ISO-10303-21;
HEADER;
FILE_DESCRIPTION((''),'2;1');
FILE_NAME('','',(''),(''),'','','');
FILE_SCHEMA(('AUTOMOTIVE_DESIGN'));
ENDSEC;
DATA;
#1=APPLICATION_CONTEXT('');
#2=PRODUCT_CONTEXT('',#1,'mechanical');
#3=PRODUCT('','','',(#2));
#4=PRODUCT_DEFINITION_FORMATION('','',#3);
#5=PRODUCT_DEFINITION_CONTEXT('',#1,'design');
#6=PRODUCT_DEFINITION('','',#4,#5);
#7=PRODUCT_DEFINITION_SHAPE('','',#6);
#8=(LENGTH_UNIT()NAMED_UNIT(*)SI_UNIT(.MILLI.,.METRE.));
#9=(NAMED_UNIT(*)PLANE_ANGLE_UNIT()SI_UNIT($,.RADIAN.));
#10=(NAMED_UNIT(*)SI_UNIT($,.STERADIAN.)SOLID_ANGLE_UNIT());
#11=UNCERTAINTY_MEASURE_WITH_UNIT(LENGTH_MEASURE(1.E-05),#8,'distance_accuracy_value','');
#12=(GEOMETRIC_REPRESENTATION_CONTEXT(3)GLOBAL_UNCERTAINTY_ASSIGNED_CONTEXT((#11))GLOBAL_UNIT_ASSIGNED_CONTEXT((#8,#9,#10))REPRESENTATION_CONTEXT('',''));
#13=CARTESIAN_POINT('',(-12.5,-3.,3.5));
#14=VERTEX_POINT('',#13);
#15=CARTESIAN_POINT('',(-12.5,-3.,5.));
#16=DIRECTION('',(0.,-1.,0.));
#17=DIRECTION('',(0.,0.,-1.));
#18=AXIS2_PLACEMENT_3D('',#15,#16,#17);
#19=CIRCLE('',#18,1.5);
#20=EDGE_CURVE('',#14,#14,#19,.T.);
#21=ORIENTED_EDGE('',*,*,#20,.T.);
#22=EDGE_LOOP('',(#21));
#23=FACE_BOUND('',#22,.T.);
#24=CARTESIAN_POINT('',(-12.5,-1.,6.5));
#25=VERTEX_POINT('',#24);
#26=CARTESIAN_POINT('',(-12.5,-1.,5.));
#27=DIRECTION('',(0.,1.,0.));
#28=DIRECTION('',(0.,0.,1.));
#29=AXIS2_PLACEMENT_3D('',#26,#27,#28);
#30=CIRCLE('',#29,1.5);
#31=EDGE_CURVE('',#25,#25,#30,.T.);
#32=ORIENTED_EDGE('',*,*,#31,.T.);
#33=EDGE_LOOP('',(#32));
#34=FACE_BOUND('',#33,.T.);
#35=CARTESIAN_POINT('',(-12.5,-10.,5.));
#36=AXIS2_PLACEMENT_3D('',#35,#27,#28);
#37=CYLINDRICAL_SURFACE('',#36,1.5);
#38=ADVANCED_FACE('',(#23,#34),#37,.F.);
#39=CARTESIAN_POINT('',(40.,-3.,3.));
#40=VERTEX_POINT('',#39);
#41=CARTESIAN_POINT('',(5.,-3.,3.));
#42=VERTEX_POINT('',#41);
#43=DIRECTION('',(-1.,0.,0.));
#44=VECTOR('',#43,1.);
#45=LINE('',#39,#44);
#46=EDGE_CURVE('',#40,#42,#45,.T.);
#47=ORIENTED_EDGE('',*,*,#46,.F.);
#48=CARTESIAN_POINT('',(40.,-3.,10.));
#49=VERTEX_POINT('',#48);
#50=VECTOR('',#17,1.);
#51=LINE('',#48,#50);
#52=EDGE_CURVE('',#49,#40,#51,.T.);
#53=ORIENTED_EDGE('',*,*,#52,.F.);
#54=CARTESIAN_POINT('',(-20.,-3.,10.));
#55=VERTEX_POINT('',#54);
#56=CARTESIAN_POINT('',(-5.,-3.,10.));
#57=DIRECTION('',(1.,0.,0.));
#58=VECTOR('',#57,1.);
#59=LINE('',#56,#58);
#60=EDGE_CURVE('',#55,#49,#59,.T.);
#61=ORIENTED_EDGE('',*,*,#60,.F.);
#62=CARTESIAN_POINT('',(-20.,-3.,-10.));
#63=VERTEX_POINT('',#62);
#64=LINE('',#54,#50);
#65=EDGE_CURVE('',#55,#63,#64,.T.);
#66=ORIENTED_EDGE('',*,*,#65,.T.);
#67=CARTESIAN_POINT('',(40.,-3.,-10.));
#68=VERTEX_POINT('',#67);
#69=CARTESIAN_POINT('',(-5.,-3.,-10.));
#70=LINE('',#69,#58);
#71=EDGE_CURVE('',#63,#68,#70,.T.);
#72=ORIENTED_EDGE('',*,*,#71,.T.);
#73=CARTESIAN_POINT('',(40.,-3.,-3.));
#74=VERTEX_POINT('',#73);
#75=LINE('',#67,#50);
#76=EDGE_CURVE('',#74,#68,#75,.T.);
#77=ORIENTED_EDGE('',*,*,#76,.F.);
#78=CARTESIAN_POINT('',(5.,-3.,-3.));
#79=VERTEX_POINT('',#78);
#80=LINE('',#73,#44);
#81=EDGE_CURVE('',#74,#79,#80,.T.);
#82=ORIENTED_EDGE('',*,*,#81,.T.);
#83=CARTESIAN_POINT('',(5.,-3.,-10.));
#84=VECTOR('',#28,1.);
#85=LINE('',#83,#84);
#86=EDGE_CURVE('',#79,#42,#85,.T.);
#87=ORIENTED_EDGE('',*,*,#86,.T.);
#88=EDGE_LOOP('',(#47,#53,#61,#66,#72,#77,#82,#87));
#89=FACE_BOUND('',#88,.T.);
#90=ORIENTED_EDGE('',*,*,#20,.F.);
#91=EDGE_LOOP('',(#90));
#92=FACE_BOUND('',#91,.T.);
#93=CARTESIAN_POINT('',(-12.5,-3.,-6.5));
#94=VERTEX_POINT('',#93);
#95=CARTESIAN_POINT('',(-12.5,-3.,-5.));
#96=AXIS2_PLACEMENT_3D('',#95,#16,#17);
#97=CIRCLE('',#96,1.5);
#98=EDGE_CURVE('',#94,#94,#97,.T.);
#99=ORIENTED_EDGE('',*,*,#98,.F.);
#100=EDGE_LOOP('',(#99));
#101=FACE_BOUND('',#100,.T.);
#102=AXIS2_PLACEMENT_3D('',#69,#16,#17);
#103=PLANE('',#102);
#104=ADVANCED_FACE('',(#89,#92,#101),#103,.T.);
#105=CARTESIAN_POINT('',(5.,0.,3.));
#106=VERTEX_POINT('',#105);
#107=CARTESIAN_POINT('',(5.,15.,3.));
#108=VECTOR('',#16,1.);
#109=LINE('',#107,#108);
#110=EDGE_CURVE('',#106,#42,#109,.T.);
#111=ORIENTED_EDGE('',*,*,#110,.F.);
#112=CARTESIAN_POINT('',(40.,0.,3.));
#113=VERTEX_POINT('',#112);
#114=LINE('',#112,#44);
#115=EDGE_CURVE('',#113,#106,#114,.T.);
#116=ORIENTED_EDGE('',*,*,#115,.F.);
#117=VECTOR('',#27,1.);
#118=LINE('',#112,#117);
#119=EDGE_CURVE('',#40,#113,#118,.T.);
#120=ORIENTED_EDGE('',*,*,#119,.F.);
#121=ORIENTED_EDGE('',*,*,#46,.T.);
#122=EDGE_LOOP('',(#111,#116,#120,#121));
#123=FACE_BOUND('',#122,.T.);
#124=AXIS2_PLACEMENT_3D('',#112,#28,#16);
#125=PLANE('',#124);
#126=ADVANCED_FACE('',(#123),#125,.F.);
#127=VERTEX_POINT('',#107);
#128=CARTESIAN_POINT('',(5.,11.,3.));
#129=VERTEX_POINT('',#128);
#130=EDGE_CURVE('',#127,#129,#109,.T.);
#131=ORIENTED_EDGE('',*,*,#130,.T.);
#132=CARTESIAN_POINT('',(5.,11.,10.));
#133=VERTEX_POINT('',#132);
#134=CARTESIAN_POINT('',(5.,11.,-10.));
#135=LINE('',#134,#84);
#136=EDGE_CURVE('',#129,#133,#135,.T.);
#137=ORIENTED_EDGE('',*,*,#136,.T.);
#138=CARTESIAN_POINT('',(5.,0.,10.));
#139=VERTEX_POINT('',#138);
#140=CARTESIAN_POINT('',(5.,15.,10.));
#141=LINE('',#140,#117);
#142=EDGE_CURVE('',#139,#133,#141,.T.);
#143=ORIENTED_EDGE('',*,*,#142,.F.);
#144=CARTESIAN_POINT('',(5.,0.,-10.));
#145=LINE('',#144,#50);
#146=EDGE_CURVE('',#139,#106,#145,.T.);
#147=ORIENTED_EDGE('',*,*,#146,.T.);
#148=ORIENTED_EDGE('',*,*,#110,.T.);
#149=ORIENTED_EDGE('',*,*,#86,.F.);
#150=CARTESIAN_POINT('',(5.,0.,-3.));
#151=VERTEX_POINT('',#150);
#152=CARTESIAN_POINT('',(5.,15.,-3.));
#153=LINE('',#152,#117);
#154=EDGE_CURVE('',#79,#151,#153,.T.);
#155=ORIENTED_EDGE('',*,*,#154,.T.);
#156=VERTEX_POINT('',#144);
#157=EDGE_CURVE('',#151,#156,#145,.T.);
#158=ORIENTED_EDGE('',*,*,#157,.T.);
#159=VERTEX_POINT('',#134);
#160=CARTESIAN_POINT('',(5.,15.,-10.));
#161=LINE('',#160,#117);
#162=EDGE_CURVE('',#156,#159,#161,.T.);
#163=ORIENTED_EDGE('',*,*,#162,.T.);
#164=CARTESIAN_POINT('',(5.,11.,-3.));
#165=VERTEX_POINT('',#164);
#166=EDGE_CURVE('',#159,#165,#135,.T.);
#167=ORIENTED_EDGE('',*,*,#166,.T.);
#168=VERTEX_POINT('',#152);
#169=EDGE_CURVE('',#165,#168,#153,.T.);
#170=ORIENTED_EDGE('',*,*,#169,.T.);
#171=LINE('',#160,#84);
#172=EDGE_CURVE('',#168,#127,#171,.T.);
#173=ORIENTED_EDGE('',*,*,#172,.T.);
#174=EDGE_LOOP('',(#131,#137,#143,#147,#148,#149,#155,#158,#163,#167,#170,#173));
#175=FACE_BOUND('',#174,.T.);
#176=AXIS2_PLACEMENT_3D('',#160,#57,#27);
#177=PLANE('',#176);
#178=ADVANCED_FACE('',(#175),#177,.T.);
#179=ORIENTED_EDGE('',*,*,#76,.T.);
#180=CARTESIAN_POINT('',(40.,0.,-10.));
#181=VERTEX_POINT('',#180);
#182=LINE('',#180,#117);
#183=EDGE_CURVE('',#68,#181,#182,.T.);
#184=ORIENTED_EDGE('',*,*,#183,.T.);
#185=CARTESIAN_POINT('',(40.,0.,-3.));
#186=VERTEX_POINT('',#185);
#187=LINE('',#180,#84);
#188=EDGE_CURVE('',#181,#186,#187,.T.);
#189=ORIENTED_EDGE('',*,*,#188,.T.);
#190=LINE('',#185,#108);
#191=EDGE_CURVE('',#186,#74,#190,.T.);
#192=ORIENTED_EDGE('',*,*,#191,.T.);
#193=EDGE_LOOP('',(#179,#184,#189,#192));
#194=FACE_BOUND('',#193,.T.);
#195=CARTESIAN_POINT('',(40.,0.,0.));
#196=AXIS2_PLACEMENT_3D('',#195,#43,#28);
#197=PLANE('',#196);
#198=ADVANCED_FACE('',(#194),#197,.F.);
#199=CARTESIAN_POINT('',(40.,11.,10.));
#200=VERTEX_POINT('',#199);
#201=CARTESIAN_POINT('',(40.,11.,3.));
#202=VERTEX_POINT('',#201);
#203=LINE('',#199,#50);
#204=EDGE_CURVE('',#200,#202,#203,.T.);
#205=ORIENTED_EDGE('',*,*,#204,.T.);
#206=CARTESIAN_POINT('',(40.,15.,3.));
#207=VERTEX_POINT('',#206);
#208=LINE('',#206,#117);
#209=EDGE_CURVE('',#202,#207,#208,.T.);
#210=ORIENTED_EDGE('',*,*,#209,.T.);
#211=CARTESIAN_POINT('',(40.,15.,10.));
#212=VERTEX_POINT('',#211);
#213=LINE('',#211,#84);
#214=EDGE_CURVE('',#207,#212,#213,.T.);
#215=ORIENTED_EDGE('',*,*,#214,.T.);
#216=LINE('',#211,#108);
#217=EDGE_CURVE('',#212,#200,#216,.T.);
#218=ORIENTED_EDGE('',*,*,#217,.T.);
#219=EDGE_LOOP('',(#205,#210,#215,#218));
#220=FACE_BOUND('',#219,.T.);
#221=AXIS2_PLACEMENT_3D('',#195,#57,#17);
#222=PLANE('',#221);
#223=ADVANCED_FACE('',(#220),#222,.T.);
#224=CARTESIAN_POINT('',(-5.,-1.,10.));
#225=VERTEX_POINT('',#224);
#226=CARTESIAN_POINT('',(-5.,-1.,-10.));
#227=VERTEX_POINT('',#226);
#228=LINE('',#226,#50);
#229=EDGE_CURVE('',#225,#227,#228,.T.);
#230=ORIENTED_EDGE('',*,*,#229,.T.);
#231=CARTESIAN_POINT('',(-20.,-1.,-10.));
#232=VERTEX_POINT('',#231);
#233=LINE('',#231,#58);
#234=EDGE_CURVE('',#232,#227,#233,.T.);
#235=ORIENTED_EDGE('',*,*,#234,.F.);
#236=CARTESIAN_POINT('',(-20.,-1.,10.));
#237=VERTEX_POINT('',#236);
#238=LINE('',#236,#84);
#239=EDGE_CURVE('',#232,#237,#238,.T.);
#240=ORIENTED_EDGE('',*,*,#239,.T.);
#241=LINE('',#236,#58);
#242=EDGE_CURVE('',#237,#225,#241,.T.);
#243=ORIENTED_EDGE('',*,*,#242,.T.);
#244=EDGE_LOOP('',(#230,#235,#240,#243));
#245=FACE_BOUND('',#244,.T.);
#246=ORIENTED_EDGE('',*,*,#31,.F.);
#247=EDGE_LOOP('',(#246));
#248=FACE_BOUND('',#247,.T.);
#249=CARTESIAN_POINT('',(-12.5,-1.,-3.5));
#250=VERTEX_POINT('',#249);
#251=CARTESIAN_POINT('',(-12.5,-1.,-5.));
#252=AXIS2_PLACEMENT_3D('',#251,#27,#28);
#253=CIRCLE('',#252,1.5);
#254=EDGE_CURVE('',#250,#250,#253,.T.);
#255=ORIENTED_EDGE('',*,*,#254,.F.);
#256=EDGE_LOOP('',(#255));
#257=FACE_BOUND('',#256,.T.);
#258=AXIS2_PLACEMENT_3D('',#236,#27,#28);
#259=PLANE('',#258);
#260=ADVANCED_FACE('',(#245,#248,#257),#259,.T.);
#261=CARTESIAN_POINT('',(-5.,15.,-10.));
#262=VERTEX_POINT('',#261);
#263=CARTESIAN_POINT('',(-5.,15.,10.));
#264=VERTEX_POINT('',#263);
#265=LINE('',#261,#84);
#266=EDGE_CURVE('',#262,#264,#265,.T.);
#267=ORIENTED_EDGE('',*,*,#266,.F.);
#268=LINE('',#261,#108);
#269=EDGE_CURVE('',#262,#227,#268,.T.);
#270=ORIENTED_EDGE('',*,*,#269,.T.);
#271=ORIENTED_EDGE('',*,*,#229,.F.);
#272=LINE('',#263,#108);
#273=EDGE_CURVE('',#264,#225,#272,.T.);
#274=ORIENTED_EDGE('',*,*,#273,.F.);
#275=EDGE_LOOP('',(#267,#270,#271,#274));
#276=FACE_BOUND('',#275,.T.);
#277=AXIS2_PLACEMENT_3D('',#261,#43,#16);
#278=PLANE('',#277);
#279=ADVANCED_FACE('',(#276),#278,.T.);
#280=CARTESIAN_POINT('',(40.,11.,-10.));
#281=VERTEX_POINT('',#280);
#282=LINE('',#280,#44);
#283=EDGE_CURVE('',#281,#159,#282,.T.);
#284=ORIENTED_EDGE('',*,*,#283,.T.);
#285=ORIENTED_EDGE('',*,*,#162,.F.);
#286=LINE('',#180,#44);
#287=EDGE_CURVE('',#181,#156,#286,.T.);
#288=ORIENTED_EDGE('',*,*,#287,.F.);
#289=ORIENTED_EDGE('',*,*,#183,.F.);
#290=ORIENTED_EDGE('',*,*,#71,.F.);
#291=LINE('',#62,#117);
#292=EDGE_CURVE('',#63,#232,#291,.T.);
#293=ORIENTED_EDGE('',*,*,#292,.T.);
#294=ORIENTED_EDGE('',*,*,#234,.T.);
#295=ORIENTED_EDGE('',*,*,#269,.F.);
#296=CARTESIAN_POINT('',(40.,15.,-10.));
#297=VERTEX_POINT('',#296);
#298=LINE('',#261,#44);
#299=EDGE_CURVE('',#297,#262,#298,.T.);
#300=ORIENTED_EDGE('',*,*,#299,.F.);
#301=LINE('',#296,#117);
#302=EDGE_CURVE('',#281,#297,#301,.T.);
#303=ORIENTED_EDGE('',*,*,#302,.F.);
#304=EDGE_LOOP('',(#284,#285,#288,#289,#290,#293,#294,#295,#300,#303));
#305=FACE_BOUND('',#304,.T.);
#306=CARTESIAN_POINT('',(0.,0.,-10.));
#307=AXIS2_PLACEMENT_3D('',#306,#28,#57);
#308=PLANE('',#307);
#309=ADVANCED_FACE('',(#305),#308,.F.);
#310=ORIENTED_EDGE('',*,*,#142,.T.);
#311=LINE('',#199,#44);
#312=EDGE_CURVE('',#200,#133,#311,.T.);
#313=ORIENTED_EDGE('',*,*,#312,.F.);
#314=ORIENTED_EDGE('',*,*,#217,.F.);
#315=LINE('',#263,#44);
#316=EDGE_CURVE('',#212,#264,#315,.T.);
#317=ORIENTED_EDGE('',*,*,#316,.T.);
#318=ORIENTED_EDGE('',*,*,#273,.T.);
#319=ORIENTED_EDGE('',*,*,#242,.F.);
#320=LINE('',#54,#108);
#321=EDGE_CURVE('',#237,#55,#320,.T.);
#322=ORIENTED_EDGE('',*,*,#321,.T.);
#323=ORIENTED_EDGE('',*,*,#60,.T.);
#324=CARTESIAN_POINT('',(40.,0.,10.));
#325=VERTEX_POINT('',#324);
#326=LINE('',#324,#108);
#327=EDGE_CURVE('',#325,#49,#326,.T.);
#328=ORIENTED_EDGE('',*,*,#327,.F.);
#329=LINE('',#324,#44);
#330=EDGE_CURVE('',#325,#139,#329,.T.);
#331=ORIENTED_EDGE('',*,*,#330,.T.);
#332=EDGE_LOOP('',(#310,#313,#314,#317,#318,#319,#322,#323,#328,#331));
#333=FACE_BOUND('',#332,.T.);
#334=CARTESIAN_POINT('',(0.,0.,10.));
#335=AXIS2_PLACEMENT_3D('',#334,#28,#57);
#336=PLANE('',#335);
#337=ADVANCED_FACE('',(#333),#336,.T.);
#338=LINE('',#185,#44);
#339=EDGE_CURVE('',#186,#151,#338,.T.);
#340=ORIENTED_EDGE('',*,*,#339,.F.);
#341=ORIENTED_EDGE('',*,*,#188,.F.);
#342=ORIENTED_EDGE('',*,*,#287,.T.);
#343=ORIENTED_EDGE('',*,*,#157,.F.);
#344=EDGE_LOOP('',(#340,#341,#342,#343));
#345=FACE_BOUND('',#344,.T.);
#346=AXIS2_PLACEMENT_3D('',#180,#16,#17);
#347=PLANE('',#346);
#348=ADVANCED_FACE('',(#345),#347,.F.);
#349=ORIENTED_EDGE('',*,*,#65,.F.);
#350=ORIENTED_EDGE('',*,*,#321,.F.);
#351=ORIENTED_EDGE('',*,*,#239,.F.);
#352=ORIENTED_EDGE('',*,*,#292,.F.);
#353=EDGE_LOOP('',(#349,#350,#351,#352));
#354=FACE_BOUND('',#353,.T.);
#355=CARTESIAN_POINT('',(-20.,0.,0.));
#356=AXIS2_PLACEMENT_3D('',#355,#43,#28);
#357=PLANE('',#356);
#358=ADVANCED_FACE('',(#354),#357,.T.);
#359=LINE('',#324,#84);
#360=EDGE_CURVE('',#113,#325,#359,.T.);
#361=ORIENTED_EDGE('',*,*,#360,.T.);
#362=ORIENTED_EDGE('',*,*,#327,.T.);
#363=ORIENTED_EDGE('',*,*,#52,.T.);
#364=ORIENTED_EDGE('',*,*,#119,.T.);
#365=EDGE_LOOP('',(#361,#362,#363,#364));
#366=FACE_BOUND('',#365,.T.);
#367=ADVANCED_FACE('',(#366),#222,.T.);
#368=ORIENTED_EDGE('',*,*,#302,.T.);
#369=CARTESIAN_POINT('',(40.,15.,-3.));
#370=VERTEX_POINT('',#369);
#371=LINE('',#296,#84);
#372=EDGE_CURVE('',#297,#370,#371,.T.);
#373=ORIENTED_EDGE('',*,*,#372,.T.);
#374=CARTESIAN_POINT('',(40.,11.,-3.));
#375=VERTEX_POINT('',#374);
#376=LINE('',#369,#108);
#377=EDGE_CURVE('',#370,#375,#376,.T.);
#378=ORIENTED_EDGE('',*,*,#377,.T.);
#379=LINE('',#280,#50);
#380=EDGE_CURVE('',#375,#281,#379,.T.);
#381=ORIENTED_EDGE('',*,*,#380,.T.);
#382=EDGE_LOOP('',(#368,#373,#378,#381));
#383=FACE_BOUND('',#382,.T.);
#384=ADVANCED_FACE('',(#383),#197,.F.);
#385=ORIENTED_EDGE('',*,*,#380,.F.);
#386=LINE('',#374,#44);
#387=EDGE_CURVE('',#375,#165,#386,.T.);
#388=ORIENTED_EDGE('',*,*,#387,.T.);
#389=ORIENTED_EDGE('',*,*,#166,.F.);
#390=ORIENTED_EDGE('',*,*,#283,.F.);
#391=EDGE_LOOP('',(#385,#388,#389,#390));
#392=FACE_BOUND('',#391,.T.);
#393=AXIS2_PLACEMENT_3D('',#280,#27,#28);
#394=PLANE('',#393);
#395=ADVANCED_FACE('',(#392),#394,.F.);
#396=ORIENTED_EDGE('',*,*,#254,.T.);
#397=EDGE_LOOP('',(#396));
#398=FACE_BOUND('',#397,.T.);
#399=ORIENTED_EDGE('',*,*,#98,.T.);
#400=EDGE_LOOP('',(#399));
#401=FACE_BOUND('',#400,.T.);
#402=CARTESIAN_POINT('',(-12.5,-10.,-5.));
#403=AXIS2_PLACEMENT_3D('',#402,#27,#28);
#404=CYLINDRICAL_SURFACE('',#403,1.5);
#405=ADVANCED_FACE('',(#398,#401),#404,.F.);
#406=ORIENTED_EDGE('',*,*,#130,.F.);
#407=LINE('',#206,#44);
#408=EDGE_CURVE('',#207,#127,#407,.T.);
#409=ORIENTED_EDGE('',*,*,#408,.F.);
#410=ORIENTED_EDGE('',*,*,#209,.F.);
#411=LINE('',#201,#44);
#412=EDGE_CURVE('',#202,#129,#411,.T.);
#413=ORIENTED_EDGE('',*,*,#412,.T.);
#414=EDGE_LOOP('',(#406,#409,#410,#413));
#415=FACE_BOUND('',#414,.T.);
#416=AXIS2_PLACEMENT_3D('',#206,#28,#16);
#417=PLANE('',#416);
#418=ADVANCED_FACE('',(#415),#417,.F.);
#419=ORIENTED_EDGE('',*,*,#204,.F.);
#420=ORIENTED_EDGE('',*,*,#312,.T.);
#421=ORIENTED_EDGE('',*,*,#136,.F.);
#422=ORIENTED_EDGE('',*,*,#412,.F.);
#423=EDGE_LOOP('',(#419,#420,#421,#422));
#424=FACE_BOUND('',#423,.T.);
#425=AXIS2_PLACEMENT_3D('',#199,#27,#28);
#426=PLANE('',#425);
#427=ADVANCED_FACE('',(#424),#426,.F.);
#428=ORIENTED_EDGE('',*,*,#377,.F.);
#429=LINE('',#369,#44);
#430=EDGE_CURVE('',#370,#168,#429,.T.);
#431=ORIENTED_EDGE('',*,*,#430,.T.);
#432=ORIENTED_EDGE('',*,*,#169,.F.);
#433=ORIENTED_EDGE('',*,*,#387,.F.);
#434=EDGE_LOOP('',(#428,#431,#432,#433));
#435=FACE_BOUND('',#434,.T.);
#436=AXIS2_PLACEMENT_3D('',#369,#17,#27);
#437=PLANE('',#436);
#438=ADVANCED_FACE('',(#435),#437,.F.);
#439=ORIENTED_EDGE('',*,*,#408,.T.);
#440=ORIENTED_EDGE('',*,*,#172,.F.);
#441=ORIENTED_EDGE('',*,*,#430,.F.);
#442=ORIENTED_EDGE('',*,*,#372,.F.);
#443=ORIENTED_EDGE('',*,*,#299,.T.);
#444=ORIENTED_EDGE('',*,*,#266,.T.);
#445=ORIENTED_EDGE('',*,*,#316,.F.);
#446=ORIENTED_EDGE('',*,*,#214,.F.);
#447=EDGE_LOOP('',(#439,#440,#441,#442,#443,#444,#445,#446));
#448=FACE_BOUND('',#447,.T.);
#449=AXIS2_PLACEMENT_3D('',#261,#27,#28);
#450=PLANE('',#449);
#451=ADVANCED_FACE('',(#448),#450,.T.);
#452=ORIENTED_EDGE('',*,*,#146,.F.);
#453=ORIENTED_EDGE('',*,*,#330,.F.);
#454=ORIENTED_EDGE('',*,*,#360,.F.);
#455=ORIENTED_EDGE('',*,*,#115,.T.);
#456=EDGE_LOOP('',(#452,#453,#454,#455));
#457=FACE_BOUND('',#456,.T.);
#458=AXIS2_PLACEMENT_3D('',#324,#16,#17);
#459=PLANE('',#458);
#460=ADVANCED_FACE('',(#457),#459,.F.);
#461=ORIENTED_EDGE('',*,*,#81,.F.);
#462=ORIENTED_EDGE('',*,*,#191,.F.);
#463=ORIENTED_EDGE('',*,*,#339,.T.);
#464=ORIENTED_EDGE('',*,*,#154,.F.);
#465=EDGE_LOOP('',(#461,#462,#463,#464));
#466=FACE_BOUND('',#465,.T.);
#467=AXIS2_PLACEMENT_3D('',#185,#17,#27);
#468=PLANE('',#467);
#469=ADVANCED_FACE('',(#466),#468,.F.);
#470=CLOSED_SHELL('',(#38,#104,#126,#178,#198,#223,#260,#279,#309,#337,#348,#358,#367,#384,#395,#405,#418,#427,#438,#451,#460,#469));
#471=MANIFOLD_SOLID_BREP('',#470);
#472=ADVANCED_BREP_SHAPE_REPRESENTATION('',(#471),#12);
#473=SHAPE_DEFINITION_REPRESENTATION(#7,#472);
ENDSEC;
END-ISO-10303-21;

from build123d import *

# Parameters (mm, degrees)
BOSS_EXTRUDE1_DEPTH      = 10
BOSS_EXTRUDE1_DEPTH_BACK = 10
SKETCH1_W                = 10
SKETCH1_H                = 18
SKETCH2_W                = 20
SKETCH2_H                = 2
BOSS_EXTRUDE2_DEPTH      = 20
SKETCH3_W                = 7
SKETCH3_H                = 4
SKETCH3_H_2              = 3
BOSS_EXTRUDE3_DEPTH      = 40
SKETCH7_R                = 1.5
CUT_EXTRUDE2_DEPTH       = 10


with BuildPart() as part:
    # Sketch1 → Boss-Extrude1 (new, two sides: drawn at the far end of the back side and taken through both)
    with BuildSketch(Plane.XY.offset(-BOSS_EXTRUDE1_DEPTH_BACK)):
        with Locations((0, 6)):
            Rectangle(SKETCH1_W, SKETCH1_H)
    extrude(amount=BOSS_EXTRUDE1_DEPTH + BOSS_EXTRUDE1_DEPTH_BACK)

    # Sketch2 → Boss-Extrude2 (add)
    with BuildSketch(Plane(origin=(0, 0, 0), x_dir=(0, 0, -1), z_dir=(1, 0, 0))):
        with Locations((0, -2)):
            Rectangle(SKETCH2_W, SKETCH2_H)
    extrude(amount=-BOSS_EXTRUDE2_DEPTH)

    # Sketch3 → Boss-Extrude3 (add)
    with BuildSketch(Plane(origin=(0, 0, 0), x_dir=(0, 0, -1), z_dir=(1, 0, 0))):
        with Locations((-6.5, 13)):
            Rectangle(SKETCH3_W, SKETCH3_H)
        with Locations((-6.5, -1.5)):
            Rectangle(SKETCH3_W, SKETCH3_H_2)
        with Locations((6.5, -1.5)):
            Rectangle(SKETCH3_W, SKETCH3_H_2)
        with Locations((6.5, 13)):
            Rectangle(SKETCH3_W, SKETCH3_H)
    extrude(amount=BOSS_EXTRUDE3_DEPTH)

    # Sketch7 → Cut-Extrude2 (cut)
    with BuildSketch(Plane(origin=(0, 0, 0), x_dir=(1, 0, 0), z_dir=(0, 1, 0))):
        with Locations((-12.5, 5)):
            Circle(SKETCH7_R)
        with Locations((-12.5, -5)):
            Circle(SKETCH7_R)
    extrude(amount=-CUT_EXTRUDE2_DEPTH, mode=Mode.SUBTRACT)


solid = part.part
